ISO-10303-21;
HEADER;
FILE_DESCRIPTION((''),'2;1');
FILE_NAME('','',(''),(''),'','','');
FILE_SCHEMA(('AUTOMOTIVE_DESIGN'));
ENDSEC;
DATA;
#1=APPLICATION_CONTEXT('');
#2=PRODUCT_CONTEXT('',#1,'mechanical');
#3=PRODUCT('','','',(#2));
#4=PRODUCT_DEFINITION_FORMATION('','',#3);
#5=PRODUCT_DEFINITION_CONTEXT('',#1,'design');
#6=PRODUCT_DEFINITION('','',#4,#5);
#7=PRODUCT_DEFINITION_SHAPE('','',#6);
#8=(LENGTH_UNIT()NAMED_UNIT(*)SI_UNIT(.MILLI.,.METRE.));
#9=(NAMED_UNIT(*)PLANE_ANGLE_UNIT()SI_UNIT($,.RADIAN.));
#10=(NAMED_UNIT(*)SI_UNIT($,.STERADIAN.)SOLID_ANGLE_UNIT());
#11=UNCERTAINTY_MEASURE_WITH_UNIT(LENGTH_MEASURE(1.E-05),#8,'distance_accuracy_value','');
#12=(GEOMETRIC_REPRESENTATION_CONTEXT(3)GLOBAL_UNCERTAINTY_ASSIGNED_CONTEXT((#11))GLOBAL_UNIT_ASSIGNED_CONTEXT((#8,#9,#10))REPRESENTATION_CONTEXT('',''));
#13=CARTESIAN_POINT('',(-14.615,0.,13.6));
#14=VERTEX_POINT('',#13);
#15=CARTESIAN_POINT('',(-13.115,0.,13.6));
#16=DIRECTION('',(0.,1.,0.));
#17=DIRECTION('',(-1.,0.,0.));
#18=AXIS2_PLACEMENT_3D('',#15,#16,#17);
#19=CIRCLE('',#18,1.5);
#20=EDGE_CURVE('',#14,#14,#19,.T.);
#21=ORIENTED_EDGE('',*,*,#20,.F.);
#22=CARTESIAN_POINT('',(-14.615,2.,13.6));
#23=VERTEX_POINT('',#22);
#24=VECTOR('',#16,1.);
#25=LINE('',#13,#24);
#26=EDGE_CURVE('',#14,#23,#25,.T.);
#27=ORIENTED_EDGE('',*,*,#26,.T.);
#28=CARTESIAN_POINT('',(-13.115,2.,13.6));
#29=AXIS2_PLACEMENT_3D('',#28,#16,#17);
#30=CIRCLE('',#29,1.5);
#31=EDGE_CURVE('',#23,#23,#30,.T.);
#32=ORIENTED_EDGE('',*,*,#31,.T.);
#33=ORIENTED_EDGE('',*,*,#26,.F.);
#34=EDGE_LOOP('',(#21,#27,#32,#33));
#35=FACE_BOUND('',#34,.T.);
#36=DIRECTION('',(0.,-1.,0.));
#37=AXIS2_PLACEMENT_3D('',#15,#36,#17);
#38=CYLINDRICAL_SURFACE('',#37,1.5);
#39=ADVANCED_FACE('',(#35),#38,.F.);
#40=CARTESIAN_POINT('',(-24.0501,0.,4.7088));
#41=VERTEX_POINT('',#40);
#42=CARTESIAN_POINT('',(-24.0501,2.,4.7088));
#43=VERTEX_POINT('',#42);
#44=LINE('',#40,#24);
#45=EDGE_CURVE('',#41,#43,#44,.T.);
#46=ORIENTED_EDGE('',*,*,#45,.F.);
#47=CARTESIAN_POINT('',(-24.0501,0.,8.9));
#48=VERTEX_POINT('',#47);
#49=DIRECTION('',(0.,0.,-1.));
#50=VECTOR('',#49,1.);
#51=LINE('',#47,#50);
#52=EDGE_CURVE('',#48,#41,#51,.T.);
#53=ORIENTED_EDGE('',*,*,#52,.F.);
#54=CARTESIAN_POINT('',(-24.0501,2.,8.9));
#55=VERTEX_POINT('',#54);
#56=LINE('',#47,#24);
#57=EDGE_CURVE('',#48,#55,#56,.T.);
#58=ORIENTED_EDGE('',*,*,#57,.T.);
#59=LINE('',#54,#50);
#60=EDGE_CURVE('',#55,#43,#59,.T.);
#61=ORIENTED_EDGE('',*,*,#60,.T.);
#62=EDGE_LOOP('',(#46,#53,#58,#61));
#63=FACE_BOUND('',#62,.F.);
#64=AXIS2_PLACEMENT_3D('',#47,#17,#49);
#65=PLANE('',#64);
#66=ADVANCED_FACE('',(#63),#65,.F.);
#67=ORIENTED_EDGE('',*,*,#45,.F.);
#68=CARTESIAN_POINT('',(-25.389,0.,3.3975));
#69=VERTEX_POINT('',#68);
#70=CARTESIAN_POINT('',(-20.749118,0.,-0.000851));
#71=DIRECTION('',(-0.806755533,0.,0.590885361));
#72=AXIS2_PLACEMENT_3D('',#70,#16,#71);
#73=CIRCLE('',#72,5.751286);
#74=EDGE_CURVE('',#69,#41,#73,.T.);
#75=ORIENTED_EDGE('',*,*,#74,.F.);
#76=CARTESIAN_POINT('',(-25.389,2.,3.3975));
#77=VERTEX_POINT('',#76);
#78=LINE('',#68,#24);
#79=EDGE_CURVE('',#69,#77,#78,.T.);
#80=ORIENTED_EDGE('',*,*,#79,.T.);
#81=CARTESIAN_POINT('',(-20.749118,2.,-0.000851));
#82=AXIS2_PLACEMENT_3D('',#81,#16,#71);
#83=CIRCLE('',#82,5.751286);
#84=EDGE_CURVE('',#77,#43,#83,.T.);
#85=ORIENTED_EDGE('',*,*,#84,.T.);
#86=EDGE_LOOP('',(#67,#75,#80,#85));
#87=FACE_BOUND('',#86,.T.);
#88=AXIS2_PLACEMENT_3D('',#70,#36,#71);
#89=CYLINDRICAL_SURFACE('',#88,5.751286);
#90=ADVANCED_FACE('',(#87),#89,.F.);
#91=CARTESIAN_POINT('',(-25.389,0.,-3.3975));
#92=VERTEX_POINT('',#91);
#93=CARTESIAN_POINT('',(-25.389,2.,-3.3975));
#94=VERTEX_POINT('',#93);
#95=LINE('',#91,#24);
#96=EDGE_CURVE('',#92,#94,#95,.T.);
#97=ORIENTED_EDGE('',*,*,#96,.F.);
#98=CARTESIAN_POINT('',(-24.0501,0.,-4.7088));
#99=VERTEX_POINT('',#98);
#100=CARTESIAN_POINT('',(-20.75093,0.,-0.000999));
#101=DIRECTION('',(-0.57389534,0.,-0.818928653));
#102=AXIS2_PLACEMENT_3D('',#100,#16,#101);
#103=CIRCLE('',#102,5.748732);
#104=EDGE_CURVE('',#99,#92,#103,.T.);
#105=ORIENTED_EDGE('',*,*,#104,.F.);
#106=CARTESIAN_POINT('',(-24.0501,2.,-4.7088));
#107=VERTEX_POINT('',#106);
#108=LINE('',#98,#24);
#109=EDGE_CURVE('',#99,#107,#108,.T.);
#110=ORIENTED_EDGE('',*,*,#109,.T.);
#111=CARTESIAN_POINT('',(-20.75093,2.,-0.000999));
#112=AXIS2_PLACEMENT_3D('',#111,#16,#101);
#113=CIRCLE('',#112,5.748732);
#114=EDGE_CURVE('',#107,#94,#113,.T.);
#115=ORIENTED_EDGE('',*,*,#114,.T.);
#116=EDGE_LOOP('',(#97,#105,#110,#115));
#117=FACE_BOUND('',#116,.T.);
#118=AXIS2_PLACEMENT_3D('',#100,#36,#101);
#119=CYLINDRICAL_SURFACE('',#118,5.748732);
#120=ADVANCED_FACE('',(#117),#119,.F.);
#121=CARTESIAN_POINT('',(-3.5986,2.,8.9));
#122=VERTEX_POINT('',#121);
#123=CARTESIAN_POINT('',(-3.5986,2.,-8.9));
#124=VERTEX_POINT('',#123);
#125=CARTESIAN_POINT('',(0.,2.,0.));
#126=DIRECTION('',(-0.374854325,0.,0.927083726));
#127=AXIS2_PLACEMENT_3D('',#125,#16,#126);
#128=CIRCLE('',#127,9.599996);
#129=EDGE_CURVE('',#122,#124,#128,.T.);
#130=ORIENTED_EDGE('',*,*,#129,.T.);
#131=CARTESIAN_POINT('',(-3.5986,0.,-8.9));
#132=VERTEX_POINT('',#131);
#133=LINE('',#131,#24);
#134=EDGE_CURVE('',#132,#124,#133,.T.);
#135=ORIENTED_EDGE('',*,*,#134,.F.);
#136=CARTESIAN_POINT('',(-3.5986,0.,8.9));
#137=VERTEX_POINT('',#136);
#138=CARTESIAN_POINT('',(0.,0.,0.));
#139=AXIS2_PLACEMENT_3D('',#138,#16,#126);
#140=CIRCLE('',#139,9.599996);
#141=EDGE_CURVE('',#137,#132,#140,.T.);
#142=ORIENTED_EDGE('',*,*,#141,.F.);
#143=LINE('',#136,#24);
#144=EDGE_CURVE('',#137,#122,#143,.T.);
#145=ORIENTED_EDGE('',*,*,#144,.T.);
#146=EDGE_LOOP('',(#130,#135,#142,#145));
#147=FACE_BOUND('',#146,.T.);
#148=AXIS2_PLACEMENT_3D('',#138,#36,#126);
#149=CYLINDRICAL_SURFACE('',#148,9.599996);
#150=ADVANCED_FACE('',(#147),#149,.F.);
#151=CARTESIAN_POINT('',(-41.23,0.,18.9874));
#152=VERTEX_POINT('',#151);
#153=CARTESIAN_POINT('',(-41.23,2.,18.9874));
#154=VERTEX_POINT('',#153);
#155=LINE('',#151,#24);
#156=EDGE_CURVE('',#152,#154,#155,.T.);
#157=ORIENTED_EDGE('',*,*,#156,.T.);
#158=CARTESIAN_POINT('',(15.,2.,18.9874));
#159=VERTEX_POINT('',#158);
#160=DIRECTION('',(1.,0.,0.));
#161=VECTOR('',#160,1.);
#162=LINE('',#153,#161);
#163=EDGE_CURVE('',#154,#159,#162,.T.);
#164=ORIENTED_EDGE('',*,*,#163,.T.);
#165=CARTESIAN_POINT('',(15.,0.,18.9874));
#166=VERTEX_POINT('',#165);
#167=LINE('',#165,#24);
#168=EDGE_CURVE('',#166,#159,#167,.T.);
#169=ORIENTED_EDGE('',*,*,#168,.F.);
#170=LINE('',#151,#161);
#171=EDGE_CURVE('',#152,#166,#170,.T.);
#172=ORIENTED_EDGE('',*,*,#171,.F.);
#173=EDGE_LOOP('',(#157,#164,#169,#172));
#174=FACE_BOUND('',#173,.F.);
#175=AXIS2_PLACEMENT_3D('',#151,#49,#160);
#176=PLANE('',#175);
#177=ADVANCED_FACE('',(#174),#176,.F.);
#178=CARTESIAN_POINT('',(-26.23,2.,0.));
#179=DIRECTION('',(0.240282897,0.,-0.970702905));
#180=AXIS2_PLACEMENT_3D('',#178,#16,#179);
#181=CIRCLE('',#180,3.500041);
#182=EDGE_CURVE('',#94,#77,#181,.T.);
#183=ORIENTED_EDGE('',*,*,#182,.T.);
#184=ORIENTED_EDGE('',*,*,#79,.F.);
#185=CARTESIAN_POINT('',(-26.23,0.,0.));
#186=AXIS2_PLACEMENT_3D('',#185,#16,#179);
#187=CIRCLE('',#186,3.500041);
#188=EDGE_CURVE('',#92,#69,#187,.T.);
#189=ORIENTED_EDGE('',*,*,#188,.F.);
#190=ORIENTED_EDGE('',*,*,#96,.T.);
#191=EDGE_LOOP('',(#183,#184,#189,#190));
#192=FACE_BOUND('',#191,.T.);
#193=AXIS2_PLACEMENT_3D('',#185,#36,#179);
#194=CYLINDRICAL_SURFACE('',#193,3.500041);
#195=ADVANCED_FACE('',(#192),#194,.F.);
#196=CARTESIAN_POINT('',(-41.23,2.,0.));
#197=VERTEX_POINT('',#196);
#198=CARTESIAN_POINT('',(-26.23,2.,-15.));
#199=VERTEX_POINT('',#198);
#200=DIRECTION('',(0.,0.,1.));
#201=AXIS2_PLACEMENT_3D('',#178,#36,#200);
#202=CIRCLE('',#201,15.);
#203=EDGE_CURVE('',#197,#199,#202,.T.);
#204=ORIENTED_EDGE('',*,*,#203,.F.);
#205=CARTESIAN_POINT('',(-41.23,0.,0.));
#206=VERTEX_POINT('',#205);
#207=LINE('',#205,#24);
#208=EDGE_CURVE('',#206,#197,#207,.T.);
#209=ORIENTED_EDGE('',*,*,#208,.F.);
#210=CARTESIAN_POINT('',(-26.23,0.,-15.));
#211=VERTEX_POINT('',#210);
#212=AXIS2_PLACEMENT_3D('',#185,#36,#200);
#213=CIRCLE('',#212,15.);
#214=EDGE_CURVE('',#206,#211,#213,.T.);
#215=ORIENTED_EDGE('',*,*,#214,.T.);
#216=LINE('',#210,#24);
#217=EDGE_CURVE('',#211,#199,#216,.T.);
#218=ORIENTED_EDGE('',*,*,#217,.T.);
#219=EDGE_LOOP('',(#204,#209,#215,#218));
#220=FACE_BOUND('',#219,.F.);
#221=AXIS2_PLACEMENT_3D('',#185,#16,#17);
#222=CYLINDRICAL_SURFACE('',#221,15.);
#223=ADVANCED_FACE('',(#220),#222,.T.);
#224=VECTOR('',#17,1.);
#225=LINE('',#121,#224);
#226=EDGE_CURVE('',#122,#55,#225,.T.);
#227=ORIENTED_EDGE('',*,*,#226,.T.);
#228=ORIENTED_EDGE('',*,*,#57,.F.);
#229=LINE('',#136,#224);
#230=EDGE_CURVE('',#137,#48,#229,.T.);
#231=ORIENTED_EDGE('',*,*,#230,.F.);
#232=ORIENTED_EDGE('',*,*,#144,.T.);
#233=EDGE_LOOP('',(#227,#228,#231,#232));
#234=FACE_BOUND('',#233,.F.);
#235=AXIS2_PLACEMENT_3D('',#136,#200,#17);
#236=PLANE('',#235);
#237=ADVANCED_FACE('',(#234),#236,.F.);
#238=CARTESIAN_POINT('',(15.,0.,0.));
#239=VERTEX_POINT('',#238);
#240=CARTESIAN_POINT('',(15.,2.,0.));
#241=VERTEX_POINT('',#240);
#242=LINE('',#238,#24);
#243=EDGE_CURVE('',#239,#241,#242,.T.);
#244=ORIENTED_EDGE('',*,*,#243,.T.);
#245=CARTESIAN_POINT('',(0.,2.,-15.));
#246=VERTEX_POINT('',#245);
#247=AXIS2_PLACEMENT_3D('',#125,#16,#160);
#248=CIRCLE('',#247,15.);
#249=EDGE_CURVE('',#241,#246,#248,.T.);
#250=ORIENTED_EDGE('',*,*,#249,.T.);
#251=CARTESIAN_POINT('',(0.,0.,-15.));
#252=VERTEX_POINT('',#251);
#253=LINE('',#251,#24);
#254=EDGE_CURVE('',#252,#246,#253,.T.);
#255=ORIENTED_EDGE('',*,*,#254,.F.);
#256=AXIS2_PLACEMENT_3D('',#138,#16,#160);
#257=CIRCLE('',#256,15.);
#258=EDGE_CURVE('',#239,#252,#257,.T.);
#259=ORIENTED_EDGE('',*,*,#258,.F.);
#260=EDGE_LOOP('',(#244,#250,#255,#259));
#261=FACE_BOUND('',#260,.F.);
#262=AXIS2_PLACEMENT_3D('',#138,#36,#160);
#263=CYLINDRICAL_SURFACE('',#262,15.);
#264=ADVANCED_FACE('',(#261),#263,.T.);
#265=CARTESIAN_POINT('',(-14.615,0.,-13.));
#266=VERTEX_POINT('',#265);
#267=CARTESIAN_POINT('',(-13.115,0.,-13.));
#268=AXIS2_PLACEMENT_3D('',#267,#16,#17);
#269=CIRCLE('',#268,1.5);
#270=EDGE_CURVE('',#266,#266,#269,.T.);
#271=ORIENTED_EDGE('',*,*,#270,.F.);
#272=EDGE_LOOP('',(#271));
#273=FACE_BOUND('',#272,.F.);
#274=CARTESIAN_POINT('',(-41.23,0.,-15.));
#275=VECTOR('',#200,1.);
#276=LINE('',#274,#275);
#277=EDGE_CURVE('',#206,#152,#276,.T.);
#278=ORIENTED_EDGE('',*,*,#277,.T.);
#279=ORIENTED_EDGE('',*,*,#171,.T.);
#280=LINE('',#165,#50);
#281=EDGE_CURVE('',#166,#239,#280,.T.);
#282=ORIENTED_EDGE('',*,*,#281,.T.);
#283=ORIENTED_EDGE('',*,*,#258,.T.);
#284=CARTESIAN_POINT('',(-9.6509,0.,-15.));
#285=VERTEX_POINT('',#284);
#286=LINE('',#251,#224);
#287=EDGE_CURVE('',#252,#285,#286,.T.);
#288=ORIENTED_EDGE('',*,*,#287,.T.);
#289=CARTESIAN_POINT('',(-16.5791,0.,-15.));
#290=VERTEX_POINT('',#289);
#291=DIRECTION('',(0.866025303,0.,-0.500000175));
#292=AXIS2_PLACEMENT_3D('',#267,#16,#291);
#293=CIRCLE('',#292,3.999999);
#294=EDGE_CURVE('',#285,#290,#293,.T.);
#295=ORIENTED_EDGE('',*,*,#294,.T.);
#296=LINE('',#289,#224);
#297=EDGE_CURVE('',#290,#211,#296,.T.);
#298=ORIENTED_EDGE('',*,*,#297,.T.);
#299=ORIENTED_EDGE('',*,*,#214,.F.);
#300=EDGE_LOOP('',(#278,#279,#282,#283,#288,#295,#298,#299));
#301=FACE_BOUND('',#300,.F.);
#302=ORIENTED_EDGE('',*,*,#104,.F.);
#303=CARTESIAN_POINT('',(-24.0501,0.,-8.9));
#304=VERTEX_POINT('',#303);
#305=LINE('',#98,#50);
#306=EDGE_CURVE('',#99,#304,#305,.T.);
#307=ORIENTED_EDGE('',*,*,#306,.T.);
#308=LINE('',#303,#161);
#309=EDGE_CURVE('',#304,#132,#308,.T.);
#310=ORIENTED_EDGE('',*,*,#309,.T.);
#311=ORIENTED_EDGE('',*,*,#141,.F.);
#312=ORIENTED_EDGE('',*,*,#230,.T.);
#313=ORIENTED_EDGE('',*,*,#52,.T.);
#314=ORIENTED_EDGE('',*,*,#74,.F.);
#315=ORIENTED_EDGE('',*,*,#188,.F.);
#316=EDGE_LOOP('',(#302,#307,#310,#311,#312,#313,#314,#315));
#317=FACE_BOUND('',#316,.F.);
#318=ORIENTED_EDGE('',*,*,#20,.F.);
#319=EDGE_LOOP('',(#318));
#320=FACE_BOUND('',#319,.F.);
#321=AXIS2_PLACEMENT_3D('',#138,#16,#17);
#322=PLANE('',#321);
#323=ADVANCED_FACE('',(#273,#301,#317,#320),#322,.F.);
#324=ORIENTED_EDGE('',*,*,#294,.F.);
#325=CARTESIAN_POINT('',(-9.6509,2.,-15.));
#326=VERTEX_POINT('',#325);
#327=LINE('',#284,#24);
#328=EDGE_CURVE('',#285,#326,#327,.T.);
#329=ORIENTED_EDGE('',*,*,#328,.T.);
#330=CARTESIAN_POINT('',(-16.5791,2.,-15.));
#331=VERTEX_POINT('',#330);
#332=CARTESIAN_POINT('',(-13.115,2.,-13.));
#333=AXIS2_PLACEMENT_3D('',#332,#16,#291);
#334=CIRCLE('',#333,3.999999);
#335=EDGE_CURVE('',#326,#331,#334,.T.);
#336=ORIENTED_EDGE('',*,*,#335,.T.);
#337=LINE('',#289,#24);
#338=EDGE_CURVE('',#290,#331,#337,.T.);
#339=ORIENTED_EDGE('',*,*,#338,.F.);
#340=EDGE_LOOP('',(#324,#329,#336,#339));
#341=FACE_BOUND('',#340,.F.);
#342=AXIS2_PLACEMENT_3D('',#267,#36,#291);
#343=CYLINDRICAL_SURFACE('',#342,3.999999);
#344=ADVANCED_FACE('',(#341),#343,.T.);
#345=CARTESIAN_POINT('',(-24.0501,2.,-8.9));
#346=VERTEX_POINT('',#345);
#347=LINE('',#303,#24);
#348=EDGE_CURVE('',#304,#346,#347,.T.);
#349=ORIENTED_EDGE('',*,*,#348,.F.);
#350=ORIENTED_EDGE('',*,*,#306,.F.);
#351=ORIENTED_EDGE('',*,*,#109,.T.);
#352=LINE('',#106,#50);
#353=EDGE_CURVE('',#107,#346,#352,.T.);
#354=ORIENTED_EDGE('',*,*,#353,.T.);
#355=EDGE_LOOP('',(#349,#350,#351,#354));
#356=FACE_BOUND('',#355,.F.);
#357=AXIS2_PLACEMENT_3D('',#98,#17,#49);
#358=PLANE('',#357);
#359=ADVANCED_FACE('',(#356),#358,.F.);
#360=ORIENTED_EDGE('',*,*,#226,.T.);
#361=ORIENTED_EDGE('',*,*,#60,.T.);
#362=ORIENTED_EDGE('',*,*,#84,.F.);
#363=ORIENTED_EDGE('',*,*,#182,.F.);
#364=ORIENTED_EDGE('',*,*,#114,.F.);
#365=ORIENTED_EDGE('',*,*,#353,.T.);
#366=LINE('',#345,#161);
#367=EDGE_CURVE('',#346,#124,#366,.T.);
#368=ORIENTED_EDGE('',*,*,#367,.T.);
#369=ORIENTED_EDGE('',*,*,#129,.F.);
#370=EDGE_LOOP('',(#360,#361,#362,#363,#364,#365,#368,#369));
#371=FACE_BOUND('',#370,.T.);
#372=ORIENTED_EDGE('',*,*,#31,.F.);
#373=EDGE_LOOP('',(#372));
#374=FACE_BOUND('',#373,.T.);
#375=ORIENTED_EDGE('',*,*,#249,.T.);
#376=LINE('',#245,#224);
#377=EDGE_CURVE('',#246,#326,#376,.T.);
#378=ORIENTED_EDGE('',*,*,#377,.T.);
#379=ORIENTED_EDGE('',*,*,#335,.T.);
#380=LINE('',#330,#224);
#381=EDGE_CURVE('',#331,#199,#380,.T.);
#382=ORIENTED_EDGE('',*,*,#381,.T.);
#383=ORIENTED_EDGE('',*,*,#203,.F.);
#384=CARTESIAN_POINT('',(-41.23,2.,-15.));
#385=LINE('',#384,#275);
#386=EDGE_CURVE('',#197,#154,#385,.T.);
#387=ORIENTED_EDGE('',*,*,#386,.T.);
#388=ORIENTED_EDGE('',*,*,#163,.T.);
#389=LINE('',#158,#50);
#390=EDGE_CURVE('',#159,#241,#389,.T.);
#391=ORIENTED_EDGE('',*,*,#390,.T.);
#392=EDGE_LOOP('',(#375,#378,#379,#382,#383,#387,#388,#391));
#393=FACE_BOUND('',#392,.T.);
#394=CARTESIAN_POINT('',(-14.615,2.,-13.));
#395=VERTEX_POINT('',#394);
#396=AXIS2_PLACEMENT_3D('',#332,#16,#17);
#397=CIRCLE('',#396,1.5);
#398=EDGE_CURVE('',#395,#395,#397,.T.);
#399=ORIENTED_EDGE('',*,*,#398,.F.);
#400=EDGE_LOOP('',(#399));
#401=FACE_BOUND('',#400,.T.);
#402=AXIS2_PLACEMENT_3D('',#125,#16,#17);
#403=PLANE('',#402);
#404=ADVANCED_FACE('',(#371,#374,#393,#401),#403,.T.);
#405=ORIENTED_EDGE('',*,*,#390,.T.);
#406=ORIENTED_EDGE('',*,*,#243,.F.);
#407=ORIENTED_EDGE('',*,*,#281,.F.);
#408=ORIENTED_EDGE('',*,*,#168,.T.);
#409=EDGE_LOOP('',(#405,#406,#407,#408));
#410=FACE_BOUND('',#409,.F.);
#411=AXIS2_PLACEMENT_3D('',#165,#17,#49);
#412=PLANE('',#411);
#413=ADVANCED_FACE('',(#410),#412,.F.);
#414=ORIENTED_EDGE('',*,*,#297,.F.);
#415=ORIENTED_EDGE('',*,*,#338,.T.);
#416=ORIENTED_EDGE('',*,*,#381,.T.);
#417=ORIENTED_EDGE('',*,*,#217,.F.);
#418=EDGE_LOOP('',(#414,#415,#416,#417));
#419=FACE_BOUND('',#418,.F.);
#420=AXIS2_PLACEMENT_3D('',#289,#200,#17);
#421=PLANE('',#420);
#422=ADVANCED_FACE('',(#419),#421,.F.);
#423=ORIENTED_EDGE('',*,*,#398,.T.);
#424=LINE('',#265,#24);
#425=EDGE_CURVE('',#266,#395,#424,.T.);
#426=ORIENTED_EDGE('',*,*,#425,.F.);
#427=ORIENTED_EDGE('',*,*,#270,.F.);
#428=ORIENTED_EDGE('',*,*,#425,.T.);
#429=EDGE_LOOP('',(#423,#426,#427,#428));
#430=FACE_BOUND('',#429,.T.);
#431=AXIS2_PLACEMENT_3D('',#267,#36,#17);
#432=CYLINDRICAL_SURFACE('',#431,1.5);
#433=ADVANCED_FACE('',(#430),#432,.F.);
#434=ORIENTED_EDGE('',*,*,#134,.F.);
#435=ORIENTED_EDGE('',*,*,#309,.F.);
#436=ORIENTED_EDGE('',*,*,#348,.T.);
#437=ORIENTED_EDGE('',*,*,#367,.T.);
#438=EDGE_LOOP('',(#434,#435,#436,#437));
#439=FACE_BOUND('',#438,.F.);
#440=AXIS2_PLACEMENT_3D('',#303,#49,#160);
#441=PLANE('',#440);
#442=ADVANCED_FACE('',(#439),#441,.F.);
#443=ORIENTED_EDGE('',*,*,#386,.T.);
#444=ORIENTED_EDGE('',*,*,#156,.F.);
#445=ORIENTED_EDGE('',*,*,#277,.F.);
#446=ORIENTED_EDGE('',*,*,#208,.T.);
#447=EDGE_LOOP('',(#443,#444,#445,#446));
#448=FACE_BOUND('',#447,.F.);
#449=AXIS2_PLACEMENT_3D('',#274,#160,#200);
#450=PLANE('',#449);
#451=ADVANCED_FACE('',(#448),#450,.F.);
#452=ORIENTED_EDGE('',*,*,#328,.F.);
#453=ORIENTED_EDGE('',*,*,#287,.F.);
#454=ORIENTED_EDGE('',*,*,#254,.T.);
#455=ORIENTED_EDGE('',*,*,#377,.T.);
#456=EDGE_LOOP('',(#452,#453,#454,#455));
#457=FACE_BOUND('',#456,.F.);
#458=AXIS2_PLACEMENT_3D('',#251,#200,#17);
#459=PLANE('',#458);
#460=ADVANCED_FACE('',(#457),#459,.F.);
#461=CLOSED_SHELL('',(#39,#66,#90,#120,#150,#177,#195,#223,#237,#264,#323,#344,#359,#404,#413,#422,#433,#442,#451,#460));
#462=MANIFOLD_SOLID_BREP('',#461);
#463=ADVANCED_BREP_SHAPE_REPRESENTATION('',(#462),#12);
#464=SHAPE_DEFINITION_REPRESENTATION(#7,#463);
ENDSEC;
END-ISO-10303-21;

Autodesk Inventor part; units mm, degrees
ref_plane "YZ Plane" through (0, 0, 0) normal (1, 0, 0) x (0, 1, 0)
ref_plane "XZ Plane" through (0, 0, 0) normal (0, 1, 0) x (-1, 0, 0)
ref_plane "XY Plane" through (0, 0, 0) normal (0, 0, 1) x (1, 0, 0)
sketch "Sketch1" plane through (0, 0, 0) normal (0, 1, 0) x (-1, 0, 0)
  arc A0 (-15, 0) -> (0, -15) centre (0, 0) ccw
  arc A1 (3.5986, 8.9) -> (3.5986, -8.9) centre (0, 0) ccw
  line L0 (24.0501, -8.9) -> (3.5986, -8.9)
  line L1 (0, -15) -> (9.6509, -15)
  arc A2 (9.6509, -15) -> (16.5791, -15) centre (13.115, -13) ccw
  circle A3 centre (13.115, 13.6) radius 1.5
  arc A4 (25.389, 3.3975) -> (24.0501, 4.7088) centre (20.7501, 0) ccw
  arc A5 (25.389, -3.3975) -> (25.389, 3.3975) centre (26.23, 0) ccw
  arc A6 (24.0501, -4.7088) -> (25.389, -3.3975) centre (20.7501, 0) ccw
  line L2 (24.0501, -4.7088) -> (24.0501, -8.9)
  line L3 (24.0501, -8.9) -> (3.5986, -8.9)
  arc A7 (3.5986, 8.9) -> (3.5986, -8.9) centre (0, 0) ccw
  line L4 (3.5986, 8.9) -> (24.0501, 8.9)
  line L5 (24.0501, 8.9) -> (24.0501, 4.7088)
  circle A8 centre (13.115, -13) radius 1.5
  line L6 (0, -15) -> (9.6509, -15)
  arc A9 (9.6509, -15) -> (16.5791, -15) centre (13.115, -13) ccw
  line L7 (16.5791, -15) -> (41.23, -15)
  line L8 (41.23, -15) -> (41.23, 18.9874)
  line L9 (41.23, 18.9874) -> (-15, 18.9874)
  line L10 (-15, 18.9874) -> (-15, 0)
  arc A10 (-15, 0) -> (0, -15) centre (0, 0) ccw
  line L11 (16.5791, -15) -> (41.23, -15)
extrude "Extrusion1" add sketch "Sketch1" along normal blind 2
fillet "Fillet1" radius 15 1 edges at (-41.23, 1, -15)
properties part number "Dock top2 V2" material "Acrylic"
